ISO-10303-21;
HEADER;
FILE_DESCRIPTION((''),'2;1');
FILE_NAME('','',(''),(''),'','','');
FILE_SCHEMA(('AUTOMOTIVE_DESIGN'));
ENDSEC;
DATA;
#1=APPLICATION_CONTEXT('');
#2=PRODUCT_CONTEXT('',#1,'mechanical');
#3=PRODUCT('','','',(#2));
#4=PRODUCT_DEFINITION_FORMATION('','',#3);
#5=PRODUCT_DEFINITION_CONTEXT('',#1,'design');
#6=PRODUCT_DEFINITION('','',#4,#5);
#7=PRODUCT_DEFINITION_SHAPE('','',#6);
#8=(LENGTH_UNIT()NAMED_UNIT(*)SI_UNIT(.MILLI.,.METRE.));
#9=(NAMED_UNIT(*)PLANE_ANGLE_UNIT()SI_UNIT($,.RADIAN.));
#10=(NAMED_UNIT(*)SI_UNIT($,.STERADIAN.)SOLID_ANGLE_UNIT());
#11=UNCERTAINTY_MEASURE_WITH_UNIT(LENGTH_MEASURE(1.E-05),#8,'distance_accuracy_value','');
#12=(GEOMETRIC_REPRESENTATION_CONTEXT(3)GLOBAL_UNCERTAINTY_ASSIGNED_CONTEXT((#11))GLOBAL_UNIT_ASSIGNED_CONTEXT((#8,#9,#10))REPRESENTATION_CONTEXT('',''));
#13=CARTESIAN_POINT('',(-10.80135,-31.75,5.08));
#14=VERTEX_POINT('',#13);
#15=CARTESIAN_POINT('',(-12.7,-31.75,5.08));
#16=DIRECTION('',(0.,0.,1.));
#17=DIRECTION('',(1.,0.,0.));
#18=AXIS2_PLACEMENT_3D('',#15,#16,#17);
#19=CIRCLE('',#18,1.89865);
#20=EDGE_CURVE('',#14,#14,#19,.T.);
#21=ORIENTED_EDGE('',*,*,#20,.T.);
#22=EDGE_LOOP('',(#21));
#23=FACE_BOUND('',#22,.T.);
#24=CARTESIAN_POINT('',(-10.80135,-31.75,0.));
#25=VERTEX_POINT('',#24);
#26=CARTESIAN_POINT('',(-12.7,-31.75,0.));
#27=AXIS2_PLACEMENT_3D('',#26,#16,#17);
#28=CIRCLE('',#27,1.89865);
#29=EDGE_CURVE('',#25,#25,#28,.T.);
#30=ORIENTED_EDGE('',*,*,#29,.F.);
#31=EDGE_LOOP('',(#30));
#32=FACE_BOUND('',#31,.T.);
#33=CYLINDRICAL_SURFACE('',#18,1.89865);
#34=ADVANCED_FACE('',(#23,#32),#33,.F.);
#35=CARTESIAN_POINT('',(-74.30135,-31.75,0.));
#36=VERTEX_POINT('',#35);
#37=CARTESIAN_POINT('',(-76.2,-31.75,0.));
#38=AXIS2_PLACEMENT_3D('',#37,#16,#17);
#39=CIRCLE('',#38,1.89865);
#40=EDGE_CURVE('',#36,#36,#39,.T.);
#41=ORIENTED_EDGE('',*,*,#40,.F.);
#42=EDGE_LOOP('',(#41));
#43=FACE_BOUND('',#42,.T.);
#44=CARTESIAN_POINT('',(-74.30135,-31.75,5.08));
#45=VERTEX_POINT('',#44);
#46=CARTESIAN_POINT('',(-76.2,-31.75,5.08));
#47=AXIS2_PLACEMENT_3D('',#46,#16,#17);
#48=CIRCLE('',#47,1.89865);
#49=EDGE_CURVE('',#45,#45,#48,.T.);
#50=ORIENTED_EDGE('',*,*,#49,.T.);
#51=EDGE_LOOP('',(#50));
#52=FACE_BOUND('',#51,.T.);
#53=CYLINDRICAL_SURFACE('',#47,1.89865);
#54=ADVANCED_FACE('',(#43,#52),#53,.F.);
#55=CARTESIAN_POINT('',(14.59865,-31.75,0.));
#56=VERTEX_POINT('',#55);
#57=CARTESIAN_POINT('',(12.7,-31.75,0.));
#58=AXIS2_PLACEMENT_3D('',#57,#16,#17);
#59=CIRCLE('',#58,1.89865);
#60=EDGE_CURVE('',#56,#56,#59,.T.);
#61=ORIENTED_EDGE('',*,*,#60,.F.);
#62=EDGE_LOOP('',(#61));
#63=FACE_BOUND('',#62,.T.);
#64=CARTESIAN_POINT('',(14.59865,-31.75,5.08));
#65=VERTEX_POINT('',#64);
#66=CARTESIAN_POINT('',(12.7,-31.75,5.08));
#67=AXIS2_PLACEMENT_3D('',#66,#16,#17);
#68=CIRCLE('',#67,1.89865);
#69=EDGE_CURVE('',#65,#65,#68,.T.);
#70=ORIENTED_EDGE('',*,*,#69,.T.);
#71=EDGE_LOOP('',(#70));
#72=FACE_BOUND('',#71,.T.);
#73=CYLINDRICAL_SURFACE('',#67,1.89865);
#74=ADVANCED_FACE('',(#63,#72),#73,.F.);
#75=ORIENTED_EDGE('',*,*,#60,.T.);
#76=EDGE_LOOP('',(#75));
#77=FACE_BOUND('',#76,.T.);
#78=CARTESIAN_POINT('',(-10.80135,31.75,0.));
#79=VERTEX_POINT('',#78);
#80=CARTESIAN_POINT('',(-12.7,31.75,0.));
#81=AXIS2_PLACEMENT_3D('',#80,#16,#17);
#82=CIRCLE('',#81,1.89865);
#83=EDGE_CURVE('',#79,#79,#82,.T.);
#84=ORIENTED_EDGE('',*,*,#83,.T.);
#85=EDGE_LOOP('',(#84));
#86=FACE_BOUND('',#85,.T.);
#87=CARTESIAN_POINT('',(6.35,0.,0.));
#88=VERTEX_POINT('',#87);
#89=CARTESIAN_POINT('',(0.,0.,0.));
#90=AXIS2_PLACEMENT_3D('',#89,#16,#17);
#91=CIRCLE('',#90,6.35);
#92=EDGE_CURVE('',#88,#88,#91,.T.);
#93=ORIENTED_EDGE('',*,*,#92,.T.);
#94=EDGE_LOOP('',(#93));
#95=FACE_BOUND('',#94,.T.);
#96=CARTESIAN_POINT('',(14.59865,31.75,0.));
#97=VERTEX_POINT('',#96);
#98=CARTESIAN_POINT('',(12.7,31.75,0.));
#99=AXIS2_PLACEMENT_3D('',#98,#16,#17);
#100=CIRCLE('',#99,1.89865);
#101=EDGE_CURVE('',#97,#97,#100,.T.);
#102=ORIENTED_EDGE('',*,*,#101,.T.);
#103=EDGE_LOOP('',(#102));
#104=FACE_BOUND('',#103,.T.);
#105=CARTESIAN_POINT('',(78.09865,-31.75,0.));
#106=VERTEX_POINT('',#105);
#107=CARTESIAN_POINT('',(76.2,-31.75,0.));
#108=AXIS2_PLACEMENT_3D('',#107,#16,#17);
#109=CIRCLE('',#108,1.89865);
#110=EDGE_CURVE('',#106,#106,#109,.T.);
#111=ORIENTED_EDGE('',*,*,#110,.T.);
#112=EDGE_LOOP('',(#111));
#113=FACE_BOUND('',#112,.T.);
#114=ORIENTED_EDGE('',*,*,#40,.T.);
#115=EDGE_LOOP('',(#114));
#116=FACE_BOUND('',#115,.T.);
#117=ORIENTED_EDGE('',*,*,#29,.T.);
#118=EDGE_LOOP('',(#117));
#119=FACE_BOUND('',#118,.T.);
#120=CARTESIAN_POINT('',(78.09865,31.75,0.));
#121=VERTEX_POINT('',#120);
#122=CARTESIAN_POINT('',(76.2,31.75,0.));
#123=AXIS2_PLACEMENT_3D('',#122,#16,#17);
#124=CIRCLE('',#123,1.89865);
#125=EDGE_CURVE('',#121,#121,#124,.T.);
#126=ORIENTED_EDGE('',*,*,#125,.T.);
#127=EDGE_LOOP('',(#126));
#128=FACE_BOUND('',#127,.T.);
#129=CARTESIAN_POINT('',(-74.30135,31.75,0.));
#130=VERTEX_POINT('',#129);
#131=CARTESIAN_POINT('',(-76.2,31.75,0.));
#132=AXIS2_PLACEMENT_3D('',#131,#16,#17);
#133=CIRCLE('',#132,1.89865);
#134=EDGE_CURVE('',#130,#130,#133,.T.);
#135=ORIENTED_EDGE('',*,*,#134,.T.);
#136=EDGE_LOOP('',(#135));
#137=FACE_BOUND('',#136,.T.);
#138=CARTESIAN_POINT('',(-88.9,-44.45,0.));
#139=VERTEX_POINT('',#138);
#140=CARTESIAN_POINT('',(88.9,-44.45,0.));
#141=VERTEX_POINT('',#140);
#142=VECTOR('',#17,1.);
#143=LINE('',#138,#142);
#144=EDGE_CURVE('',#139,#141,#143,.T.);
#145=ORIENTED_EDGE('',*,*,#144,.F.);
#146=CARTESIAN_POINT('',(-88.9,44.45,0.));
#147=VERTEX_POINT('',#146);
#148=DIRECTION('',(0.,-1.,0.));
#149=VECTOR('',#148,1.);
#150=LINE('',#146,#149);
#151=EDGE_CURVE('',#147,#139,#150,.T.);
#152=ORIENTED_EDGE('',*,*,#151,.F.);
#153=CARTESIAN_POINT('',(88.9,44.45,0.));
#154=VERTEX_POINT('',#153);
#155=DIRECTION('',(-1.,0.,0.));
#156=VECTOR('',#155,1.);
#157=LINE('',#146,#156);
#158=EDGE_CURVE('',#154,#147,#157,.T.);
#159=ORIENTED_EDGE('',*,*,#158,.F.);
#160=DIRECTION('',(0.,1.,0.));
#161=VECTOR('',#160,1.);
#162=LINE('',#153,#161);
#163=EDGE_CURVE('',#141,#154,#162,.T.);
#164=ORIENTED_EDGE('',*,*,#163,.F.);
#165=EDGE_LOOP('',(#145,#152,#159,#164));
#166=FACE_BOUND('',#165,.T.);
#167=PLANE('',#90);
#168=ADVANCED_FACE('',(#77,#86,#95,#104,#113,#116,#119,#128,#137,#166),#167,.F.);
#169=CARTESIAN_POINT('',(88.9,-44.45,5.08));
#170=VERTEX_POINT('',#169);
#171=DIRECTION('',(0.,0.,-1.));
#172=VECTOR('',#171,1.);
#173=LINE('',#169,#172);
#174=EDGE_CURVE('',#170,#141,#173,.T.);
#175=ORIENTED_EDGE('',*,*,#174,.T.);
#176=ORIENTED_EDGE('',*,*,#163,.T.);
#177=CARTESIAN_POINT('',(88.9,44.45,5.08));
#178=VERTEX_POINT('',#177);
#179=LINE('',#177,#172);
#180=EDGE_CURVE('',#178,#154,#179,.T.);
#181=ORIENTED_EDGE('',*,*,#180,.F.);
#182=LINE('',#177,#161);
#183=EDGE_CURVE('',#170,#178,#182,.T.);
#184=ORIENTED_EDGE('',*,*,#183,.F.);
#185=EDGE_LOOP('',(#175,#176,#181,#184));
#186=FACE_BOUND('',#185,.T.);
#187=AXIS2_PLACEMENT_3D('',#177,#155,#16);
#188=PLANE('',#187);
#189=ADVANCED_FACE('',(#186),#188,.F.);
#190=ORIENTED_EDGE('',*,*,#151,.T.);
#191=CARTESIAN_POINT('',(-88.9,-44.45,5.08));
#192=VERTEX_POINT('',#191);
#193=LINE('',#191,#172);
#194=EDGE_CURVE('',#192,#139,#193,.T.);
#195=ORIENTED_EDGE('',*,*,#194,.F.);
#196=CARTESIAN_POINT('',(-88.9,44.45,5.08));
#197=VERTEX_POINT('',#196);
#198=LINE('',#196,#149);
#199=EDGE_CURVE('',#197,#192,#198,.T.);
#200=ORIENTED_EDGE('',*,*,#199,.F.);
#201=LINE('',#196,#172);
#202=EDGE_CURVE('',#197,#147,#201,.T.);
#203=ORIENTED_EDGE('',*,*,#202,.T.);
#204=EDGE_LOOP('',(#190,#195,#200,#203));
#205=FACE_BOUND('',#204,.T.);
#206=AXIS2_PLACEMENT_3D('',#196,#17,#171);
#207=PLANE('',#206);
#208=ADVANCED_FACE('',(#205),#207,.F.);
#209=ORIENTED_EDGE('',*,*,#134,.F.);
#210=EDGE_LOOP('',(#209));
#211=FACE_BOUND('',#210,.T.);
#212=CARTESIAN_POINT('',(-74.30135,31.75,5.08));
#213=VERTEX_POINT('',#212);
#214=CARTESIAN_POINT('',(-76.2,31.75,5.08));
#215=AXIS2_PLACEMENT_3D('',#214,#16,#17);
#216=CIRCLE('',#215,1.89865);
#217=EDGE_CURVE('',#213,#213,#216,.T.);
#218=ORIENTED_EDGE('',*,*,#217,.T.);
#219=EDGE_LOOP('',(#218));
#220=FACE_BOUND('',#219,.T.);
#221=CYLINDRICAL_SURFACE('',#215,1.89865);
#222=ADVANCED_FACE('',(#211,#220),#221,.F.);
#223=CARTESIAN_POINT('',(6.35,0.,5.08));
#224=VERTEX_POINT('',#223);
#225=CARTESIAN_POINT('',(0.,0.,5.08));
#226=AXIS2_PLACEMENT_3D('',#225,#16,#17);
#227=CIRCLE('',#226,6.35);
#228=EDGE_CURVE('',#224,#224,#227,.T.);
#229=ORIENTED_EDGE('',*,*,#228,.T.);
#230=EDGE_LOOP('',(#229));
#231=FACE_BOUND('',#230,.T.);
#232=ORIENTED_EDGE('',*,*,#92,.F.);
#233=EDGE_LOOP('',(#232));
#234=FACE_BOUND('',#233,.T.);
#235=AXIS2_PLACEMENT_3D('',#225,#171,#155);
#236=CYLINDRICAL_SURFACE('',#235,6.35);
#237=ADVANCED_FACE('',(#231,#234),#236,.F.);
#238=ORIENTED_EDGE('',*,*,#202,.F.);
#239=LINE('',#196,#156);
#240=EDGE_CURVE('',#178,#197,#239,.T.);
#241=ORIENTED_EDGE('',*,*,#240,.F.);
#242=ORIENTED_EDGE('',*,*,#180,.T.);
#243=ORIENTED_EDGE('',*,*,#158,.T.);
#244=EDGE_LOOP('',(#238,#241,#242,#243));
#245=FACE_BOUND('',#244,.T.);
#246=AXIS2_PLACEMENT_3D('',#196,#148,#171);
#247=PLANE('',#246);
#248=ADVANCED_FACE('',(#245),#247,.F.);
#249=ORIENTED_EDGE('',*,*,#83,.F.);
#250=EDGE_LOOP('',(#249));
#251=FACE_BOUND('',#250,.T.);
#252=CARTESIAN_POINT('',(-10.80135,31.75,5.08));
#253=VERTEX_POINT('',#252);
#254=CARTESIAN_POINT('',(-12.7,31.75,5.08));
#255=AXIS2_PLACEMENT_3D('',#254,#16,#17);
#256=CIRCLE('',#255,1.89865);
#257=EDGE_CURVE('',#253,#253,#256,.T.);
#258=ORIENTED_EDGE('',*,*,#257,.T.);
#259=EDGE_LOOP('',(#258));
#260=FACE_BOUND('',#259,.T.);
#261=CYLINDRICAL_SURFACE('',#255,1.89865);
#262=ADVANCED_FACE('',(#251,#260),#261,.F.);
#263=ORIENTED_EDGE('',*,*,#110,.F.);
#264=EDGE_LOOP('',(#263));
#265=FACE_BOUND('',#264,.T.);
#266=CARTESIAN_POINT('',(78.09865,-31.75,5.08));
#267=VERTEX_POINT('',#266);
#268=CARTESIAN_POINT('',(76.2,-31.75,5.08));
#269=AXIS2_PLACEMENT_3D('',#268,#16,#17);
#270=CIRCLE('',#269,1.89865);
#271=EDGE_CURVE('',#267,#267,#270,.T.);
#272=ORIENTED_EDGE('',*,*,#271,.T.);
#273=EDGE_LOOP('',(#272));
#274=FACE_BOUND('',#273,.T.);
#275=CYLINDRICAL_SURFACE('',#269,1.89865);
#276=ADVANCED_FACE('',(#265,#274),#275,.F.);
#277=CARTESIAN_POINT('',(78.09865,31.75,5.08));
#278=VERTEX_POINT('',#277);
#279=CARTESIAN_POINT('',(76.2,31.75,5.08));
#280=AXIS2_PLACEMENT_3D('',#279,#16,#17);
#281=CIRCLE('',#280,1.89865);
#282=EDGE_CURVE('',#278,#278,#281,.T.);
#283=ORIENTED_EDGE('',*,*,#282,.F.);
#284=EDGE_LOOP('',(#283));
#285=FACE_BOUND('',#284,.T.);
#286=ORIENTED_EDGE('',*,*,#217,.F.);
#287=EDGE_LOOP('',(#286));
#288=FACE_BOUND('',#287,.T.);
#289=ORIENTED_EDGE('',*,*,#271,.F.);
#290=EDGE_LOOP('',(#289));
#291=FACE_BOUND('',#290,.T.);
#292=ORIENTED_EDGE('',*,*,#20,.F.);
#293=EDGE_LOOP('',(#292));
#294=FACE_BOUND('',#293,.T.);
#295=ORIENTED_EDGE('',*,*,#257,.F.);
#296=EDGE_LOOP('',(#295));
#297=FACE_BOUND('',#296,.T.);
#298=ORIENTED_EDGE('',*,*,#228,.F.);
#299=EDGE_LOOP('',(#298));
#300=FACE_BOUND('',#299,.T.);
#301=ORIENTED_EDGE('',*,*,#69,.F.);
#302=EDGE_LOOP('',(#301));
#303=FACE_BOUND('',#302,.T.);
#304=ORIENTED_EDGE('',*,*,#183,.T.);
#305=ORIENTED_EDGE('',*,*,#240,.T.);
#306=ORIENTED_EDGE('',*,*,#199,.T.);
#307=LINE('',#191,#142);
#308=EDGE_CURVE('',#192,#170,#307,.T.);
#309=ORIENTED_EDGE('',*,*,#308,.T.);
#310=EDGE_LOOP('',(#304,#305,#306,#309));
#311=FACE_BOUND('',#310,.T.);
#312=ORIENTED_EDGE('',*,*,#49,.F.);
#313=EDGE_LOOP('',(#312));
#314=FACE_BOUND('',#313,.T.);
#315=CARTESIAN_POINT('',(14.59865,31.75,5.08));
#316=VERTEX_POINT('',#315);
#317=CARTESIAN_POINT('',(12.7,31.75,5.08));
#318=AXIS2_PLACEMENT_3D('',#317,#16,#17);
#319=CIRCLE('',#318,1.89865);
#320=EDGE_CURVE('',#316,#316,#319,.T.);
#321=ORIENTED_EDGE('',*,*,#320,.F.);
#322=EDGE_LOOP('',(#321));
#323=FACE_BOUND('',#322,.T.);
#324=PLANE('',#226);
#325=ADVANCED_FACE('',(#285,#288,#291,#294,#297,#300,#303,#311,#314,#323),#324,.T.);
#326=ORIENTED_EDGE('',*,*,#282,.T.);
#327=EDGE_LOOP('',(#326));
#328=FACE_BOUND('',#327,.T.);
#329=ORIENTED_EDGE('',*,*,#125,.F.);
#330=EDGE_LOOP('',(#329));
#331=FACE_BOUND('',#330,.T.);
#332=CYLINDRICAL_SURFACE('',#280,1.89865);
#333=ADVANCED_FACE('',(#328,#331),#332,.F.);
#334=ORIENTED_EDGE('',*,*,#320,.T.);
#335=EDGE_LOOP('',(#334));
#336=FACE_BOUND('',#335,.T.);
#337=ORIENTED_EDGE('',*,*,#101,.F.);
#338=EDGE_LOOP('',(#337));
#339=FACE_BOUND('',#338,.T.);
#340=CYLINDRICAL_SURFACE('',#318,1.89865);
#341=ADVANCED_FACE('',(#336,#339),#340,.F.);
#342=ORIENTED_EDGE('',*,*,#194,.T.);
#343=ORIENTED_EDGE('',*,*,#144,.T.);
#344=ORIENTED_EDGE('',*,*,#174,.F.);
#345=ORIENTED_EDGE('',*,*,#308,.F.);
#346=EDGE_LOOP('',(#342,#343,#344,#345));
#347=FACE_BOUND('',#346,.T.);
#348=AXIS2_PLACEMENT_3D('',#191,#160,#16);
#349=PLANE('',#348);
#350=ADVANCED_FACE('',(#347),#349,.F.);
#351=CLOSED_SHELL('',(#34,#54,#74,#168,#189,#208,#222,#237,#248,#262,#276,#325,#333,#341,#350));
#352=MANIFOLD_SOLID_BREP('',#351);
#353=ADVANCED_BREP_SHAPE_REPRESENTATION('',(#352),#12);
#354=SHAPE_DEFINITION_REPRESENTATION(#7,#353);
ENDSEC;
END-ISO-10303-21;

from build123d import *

# Parameters (mm, degrees)
SKETCH1_W             = 177.8
SKETCH1_H             = 88.9
SKETCH1_R             = 6.35
BOSS_EXTRUDE1_DEPTH   = 5.08
F_6_CLEARANCE_HOLE1_D = 3.7973


with BuildPart() as part:
    # Sketch1 → Boss-Extrude1 (new body)
    with BuildSketch(Plane.XY):
        Rectangle(SKETCH1_W, SKETCH1_H)
        Circle(SKETCH1_R, mode=Mode.SUBTRACT)
    extrude(amount=BOSS_EXTRUDE1_DEPTH)

    # #6 Clearance Hole1 (through all)
    with Locations(Plane.XY.offset(5.08)):
        with Locations((76.2, -31.75), (-76.2, 31.75), (-76.2, -31.75), (76.2, 31.75), (12.7, -31.75), (-12.7, 31.75), (-12.7, -31.75), (12.7, 31.75)):
            Hole(F_6_CLEARANCE_HOLE1_D / 2)


solid = part.part
